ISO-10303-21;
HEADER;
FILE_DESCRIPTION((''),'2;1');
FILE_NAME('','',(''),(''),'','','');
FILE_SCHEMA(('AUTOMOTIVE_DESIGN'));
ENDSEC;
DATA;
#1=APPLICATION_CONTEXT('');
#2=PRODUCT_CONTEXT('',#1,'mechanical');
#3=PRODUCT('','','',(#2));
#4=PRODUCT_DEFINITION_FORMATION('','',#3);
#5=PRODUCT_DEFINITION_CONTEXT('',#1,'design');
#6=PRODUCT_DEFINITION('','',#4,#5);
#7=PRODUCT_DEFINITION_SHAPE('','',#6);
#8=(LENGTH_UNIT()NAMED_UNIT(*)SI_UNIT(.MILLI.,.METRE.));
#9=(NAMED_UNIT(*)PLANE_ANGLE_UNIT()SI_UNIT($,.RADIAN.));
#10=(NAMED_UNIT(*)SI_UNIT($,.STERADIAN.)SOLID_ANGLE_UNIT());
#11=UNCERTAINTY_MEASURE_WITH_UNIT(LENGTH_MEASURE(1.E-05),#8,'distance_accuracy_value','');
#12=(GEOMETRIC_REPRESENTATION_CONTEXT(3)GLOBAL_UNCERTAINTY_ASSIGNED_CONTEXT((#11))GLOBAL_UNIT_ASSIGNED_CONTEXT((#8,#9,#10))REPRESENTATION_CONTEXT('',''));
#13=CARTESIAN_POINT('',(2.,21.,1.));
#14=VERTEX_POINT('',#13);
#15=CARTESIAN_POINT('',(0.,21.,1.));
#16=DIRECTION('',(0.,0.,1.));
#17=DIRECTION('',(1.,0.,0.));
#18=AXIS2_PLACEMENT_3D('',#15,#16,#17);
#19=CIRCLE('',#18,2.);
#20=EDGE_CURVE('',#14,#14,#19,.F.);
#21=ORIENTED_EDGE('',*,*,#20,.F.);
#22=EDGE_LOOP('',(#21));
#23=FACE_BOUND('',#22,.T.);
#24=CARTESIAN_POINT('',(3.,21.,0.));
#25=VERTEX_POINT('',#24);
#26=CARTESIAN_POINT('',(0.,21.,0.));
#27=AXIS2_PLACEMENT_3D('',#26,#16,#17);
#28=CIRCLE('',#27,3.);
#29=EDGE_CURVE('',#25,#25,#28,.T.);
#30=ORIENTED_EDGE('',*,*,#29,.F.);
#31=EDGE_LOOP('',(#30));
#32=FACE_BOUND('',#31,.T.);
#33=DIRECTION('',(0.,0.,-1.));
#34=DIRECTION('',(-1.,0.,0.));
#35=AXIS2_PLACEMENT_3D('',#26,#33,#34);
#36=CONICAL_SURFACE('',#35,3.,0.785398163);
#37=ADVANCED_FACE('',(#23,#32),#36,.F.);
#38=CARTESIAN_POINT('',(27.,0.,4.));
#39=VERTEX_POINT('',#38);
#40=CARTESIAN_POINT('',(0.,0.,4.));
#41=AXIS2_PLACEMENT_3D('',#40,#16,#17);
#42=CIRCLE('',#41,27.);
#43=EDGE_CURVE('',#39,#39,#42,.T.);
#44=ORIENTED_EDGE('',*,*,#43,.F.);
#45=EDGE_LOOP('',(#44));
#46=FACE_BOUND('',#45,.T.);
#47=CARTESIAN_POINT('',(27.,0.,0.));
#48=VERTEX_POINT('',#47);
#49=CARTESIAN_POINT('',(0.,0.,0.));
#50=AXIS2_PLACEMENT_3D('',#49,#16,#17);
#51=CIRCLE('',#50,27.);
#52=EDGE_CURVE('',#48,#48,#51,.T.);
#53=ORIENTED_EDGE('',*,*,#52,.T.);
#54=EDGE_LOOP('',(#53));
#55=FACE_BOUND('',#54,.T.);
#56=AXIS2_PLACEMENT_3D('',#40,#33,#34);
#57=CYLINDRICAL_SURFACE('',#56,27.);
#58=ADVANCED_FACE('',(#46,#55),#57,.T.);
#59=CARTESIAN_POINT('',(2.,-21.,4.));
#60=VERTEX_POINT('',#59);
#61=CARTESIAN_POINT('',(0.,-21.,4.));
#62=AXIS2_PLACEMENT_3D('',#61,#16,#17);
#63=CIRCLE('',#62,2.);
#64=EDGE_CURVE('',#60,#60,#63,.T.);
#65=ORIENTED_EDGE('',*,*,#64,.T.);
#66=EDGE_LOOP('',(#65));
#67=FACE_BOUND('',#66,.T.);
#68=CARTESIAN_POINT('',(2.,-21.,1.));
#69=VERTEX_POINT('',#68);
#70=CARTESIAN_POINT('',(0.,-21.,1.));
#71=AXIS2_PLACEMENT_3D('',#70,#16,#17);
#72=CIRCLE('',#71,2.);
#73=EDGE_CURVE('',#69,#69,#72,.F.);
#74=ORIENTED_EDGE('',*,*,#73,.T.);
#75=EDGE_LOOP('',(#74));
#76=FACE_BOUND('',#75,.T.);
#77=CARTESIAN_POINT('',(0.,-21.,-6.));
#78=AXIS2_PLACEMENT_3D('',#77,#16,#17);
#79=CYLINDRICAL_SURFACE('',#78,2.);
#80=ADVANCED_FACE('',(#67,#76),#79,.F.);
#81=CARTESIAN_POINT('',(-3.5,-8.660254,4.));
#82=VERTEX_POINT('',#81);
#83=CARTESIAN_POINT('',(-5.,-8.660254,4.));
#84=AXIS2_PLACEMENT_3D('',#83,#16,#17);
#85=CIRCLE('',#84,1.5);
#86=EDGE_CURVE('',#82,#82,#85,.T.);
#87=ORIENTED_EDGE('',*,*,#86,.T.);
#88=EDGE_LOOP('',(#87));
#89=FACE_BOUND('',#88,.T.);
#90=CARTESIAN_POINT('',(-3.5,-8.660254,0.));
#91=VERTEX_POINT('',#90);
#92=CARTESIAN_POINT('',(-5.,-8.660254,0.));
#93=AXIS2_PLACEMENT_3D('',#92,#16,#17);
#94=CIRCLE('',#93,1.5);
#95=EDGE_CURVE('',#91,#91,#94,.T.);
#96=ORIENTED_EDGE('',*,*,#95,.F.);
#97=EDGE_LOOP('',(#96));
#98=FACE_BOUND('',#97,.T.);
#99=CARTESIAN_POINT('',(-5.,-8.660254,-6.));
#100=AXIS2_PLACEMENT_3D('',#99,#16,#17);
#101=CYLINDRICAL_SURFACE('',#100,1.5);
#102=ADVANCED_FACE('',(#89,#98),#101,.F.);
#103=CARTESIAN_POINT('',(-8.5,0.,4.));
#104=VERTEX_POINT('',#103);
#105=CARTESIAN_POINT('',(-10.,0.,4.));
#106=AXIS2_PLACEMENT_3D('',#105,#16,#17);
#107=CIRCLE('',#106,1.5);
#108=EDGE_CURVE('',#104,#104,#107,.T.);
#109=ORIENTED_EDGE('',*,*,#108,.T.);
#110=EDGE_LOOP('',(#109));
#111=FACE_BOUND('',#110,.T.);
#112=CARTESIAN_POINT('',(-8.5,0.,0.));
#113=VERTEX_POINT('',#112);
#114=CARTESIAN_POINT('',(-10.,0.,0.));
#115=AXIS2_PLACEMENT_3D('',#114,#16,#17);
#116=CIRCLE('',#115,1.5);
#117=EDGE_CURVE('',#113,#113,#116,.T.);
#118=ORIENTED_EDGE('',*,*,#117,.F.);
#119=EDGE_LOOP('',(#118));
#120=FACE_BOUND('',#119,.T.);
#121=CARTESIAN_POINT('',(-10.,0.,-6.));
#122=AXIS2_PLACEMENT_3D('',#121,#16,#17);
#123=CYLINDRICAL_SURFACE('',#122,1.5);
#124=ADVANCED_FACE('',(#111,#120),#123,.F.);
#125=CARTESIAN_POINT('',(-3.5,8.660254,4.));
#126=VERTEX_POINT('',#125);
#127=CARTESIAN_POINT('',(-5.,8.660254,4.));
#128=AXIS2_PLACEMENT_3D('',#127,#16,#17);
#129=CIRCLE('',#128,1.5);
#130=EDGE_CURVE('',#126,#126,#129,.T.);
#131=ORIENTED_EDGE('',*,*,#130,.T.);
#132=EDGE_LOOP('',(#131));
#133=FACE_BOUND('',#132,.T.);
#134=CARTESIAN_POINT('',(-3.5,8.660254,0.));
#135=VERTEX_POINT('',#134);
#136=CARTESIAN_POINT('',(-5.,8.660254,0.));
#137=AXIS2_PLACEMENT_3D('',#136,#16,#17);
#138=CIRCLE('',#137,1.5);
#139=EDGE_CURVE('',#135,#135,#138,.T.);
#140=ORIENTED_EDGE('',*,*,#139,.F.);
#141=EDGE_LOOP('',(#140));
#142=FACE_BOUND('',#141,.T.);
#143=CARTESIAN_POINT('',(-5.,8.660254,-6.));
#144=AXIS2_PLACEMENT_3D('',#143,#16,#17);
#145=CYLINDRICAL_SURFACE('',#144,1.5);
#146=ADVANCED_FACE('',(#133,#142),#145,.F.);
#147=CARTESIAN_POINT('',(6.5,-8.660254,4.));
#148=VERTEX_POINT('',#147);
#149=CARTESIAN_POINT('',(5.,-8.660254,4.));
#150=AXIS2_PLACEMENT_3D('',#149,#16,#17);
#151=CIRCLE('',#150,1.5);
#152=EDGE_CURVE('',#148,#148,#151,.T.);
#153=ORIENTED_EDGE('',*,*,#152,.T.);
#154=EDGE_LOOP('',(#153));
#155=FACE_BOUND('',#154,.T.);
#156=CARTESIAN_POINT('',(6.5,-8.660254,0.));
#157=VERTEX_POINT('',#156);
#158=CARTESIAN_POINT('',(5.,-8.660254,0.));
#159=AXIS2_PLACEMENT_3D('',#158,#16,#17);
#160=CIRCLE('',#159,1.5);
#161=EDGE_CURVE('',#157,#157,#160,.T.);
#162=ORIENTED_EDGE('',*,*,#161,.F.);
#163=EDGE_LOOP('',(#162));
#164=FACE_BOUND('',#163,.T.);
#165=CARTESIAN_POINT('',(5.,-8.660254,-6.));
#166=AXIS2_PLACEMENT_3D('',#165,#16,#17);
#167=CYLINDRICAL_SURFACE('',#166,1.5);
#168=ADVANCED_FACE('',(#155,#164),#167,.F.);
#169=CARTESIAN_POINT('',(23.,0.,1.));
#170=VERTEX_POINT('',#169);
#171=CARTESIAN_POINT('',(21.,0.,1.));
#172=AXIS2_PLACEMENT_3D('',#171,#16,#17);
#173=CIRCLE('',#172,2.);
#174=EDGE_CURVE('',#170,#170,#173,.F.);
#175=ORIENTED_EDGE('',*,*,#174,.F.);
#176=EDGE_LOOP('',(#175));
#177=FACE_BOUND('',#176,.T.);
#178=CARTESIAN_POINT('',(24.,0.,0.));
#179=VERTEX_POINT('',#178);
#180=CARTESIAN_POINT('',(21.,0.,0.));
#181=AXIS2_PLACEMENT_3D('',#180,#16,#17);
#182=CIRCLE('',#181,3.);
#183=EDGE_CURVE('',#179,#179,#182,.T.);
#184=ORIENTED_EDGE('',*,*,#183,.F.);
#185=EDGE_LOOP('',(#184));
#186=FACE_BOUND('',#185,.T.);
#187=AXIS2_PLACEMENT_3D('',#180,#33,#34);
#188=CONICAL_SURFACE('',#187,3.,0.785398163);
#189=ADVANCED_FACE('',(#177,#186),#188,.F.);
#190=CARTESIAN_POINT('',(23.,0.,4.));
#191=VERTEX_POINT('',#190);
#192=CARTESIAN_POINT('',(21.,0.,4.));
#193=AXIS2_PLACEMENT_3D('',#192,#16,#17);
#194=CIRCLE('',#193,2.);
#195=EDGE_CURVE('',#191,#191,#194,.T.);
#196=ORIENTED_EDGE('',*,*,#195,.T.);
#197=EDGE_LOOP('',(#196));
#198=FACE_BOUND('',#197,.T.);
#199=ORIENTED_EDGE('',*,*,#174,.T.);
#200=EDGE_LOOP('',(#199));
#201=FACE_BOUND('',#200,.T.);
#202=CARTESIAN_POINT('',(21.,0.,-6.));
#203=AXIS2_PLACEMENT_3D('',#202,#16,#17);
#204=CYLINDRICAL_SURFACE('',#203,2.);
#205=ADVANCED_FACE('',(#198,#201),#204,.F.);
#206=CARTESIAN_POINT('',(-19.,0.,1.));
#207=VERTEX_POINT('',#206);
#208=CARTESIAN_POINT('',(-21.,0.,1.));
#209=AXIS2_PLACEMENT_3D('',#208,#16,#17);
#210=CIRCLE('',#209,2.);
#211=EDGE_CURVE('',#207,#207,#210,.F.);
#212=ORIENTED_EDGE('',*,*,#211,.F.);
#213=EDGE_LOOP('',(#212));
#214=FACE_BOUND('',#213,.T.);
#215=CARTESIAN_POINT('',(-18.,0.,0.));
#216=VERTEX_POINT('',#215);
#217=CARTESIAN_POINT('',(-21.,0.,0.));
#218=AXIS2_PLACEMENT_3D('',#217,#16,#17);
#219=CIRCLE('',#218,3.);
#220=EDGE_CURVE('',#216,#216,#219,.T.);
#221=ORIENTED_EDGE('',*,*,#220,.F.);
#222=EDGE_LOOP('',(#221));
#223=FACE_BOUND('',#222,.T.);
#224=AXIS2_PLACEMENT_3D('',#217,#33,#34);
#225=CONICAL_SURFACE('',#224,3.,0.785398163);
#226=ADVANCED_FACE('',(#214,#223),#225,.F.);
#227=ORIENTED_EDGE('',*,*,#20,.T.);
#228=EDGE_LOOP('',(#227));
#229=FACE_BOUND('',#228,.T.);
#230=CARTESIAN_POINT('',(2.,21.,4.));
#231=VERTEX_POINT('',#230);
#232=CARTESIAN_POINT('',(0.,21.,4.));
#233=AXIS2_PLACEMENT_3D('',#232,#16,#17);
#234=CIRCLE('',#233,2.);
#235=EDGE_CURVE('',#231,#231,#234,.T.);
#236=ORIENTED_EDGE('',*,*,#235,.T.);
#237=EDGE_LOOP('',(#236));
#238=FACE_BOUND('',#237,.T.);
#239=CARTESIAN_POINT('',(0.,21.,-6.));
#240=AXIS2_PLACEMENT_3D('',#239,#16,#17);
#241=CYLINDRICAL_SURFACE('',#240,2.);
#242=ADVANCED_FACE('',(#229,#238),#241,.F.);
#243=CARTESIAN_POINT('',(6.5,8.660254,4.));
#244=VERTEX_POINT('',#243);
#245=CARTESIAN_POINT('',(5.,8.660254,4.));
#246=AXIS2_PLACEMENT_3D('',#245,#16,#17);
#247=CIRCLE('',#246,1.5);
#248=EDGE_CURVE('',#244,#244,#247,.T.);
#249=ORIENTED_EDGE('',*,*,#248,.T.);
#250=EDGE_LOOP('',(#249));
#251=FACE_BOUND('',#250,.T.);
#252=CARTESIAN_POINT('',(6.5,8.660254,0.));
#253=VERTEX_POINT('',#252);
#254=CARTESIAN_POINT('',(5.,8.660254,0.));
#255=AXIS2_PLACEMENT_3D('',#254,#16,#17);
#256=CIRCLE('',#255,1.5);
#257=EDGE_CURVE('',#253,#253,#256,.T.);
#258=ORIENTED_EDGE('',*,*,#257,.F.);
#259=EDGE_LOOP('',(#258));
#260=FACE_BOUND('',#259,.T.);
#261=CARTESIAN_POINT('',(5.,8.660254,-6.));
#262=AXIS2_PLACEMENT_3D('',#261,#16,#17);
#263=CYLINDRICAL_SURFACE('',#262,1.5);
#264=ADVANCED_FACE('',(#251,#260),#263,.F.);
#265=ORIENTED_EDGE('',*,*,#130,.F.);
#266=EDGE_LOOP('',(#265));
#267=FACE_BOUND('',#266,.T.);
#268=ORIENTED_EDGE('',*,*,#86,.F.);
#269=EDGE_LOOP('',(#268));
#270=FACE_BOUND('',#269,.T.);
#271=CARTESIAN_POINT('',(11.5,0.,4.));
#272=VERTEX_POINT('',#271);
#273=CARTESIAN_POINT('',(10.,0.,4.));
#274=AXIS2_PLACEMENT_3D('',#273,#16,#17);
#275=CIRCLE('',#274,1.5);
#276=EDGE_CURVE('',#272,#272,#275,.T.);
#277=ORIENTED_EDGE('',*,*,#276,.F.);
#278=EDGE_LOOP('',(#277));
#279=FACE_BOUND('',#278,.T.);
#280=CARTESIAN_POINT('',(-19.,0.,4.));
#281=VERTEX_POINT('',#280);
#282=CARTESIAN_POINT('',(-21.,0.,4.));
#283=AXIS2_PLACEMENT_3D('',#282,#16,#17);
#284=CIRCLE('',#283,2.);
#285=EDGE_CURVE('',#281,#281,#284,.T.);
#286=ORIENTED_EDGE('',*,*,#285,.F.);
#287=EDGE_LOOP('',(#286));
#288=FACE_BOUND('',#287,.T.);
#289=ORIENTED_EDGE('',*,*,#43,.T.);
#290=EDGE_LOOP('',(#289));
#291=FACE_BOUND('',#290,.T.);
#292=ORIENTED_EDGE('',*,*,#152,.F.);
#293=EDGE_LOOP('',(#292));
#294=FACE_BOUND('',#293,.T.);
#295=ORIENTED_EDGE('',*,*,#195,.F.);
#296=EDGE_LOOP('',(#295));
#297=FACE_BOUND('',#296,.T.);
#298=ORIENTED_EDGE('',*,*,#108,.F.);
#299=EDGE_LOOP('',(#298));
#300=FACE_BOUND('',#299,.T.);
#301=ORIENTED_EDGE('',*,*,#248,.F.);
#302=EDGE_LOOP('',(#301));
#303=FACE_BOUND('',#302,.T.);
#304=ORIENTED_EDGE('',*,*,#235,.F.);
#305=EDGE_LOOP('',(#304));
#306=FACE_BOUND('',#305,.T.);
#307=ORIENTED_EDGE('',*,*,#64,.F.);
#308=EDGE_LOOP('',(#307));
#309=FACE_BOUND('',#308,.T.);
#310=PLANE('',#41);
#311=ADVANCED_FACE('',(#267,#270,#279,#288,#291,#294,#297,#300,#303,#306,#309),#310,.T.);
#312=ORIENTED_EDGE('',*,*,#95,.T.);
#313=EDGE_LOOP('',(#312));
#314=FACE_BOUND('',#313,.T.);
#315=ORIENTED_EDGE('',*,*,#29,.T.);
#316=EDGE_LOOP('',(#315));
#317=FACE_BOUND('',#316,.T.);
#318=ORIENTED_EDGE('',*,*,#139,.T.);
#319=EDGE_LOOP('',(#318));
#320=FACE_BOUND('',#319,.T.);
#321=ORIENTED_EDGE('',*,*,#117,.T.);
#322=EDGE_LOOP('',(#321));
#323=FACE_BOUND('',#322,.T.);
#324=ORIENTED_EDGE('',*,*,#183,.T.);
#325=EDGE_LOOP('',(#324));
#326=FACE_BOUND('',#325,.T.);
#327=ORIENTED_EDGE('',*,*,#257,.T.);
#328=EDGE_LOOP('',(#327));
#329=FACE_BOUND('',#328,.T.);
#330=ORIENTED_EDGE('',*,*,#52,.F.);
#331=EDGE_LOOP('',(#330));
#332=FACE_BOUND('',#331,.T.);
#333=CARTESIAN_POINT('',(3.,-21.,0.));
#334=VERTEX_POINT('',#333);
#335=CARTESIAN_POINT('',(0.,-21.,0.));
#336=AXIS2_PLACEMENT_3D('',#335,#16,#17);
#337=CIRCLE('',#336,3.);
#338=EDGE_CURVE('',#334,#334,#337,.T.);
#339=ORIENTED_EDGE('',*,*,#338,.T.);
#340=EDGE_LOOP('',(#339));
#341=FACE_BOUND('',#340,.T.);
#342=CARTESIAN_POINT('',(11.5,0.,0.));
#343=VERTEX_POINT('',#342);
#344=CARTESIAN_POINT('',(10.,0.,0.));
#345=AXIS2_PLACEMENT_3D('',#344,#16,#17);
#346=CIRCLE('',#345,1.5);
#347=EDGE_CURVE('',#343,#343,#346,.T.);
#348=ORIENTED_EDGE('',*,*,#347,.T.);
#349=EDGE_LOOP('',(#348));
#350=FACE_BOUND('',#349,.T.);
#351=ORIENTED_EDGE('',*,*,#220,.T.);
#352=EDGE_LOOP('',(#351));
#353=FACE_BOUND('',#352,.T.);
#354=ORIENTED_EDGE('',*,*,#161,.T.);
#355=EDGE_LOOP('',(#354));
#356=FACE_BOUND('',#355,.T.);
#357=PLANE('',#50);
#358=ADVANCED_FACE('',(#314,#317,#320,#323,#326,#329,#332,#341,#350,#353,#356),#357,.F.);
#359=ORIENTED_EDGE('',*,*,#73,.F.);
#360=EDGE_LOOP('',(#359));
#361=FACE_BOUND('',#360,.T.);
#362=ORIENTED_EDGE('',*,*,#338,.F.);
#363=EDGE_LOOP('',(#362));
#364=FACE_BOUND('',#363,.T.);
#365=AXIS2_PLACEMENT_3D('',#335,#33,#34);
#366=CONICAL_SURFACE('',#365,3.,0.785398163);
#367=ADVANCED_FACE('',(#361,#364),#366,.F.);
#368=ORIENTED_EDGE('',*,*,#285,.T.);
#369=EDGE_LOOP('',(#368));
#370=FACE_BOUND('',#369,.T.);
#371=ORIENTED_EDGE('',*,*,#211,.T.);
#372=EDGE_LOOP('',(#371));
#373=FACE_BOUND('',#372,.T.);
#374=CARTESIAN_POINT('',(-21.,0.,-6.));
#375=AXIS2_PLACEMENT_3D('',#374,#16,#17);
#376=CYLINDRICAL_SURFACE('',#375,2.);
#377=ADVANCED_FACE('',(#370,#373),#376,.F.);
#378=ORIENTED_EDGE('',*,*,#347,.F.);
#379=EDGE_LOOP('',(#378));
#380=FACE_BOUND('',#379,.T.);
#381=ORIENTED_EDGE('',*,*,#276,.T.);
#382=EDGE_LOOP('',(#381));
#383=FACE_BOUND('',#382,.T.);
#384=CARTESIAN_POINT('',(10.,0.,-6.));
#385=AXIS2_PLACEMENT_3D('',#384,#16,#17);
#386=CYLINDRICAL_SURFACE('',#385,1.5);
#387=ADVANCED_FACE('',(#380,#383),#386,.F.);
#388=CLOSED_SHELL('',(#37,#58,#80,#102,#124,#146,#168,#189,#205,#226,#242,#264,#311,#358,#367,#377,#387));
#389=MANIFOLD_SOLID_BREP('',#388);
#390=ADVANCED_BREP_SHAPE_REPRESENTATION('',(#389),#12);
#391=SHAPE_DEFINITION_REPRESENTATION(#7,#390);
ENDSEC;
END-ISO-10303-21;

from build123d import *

# Parameters (mm, degrees)
SKETCH_1_R          = 27
EXTRUDE_1_DEPTH     = 4
SKETCH_2_R          = 1.5
SKETCH_2_R_2        = 2
CUT_EXTRUDE_1_DEPTH = 10
CHAMFER_1_SIZE      = 1


with BuildPart() as part:
    # 草图1 → 凸台-拉伸1 (new body)
    with BuildSketch(Plane.XY):
        Circle(SKETCH_1_R)
    extrude(amount=EXTRUDE_1_DEPTH)

    # 草图2 → 切除-拉伸1 (cut)
    with BuildSketch(Plane.XY.offset(4)):
        with Locations((5, 8.660254038)):
            Circle(SKETCH_2_R)
        with Locations((10, 0)):
            Circle(SKETCH_2_R)
        with Locations((5, -8.660254038)):
            Circle(SKETCH_2_R)
        with Locations((-5, -8.660254038)):
            Circle(SKETCH_2_R)
        with Locations((-10, 0)):
            Circle(SKETCH_2_R)
        with Locations((-5, 8.660254038)):
            Circle(SKETCH_2_R)
        with Locations((0, 21)):
            Circle(SKETCH_2_R_2)
        with Locations((21, 0)):
            Circle(SKETCH_2_R_2)
        with Locations((0, -21)):
            Circle(SKETCH_2_R_2)
        with Locations((-21, 0)):
            Circle(SKETCH_2_R_2)
    extrude(amount=-CUT_EXTRUDE_1_DEPTH, mode=Mode.SUBTRACT)

    # 倒角1
    chamfer_1_edges = [part.edges().sort_by_distance(p)[0] for p in [
        (-23, 0, 0),
        (-2, 21, 0),
        (19, 0, 0),
        (-2, -21, 0),
    ]]
    chamfer(chamfer_1_edges, length=CHAMFER_1_SIZE)


solid = part.part
